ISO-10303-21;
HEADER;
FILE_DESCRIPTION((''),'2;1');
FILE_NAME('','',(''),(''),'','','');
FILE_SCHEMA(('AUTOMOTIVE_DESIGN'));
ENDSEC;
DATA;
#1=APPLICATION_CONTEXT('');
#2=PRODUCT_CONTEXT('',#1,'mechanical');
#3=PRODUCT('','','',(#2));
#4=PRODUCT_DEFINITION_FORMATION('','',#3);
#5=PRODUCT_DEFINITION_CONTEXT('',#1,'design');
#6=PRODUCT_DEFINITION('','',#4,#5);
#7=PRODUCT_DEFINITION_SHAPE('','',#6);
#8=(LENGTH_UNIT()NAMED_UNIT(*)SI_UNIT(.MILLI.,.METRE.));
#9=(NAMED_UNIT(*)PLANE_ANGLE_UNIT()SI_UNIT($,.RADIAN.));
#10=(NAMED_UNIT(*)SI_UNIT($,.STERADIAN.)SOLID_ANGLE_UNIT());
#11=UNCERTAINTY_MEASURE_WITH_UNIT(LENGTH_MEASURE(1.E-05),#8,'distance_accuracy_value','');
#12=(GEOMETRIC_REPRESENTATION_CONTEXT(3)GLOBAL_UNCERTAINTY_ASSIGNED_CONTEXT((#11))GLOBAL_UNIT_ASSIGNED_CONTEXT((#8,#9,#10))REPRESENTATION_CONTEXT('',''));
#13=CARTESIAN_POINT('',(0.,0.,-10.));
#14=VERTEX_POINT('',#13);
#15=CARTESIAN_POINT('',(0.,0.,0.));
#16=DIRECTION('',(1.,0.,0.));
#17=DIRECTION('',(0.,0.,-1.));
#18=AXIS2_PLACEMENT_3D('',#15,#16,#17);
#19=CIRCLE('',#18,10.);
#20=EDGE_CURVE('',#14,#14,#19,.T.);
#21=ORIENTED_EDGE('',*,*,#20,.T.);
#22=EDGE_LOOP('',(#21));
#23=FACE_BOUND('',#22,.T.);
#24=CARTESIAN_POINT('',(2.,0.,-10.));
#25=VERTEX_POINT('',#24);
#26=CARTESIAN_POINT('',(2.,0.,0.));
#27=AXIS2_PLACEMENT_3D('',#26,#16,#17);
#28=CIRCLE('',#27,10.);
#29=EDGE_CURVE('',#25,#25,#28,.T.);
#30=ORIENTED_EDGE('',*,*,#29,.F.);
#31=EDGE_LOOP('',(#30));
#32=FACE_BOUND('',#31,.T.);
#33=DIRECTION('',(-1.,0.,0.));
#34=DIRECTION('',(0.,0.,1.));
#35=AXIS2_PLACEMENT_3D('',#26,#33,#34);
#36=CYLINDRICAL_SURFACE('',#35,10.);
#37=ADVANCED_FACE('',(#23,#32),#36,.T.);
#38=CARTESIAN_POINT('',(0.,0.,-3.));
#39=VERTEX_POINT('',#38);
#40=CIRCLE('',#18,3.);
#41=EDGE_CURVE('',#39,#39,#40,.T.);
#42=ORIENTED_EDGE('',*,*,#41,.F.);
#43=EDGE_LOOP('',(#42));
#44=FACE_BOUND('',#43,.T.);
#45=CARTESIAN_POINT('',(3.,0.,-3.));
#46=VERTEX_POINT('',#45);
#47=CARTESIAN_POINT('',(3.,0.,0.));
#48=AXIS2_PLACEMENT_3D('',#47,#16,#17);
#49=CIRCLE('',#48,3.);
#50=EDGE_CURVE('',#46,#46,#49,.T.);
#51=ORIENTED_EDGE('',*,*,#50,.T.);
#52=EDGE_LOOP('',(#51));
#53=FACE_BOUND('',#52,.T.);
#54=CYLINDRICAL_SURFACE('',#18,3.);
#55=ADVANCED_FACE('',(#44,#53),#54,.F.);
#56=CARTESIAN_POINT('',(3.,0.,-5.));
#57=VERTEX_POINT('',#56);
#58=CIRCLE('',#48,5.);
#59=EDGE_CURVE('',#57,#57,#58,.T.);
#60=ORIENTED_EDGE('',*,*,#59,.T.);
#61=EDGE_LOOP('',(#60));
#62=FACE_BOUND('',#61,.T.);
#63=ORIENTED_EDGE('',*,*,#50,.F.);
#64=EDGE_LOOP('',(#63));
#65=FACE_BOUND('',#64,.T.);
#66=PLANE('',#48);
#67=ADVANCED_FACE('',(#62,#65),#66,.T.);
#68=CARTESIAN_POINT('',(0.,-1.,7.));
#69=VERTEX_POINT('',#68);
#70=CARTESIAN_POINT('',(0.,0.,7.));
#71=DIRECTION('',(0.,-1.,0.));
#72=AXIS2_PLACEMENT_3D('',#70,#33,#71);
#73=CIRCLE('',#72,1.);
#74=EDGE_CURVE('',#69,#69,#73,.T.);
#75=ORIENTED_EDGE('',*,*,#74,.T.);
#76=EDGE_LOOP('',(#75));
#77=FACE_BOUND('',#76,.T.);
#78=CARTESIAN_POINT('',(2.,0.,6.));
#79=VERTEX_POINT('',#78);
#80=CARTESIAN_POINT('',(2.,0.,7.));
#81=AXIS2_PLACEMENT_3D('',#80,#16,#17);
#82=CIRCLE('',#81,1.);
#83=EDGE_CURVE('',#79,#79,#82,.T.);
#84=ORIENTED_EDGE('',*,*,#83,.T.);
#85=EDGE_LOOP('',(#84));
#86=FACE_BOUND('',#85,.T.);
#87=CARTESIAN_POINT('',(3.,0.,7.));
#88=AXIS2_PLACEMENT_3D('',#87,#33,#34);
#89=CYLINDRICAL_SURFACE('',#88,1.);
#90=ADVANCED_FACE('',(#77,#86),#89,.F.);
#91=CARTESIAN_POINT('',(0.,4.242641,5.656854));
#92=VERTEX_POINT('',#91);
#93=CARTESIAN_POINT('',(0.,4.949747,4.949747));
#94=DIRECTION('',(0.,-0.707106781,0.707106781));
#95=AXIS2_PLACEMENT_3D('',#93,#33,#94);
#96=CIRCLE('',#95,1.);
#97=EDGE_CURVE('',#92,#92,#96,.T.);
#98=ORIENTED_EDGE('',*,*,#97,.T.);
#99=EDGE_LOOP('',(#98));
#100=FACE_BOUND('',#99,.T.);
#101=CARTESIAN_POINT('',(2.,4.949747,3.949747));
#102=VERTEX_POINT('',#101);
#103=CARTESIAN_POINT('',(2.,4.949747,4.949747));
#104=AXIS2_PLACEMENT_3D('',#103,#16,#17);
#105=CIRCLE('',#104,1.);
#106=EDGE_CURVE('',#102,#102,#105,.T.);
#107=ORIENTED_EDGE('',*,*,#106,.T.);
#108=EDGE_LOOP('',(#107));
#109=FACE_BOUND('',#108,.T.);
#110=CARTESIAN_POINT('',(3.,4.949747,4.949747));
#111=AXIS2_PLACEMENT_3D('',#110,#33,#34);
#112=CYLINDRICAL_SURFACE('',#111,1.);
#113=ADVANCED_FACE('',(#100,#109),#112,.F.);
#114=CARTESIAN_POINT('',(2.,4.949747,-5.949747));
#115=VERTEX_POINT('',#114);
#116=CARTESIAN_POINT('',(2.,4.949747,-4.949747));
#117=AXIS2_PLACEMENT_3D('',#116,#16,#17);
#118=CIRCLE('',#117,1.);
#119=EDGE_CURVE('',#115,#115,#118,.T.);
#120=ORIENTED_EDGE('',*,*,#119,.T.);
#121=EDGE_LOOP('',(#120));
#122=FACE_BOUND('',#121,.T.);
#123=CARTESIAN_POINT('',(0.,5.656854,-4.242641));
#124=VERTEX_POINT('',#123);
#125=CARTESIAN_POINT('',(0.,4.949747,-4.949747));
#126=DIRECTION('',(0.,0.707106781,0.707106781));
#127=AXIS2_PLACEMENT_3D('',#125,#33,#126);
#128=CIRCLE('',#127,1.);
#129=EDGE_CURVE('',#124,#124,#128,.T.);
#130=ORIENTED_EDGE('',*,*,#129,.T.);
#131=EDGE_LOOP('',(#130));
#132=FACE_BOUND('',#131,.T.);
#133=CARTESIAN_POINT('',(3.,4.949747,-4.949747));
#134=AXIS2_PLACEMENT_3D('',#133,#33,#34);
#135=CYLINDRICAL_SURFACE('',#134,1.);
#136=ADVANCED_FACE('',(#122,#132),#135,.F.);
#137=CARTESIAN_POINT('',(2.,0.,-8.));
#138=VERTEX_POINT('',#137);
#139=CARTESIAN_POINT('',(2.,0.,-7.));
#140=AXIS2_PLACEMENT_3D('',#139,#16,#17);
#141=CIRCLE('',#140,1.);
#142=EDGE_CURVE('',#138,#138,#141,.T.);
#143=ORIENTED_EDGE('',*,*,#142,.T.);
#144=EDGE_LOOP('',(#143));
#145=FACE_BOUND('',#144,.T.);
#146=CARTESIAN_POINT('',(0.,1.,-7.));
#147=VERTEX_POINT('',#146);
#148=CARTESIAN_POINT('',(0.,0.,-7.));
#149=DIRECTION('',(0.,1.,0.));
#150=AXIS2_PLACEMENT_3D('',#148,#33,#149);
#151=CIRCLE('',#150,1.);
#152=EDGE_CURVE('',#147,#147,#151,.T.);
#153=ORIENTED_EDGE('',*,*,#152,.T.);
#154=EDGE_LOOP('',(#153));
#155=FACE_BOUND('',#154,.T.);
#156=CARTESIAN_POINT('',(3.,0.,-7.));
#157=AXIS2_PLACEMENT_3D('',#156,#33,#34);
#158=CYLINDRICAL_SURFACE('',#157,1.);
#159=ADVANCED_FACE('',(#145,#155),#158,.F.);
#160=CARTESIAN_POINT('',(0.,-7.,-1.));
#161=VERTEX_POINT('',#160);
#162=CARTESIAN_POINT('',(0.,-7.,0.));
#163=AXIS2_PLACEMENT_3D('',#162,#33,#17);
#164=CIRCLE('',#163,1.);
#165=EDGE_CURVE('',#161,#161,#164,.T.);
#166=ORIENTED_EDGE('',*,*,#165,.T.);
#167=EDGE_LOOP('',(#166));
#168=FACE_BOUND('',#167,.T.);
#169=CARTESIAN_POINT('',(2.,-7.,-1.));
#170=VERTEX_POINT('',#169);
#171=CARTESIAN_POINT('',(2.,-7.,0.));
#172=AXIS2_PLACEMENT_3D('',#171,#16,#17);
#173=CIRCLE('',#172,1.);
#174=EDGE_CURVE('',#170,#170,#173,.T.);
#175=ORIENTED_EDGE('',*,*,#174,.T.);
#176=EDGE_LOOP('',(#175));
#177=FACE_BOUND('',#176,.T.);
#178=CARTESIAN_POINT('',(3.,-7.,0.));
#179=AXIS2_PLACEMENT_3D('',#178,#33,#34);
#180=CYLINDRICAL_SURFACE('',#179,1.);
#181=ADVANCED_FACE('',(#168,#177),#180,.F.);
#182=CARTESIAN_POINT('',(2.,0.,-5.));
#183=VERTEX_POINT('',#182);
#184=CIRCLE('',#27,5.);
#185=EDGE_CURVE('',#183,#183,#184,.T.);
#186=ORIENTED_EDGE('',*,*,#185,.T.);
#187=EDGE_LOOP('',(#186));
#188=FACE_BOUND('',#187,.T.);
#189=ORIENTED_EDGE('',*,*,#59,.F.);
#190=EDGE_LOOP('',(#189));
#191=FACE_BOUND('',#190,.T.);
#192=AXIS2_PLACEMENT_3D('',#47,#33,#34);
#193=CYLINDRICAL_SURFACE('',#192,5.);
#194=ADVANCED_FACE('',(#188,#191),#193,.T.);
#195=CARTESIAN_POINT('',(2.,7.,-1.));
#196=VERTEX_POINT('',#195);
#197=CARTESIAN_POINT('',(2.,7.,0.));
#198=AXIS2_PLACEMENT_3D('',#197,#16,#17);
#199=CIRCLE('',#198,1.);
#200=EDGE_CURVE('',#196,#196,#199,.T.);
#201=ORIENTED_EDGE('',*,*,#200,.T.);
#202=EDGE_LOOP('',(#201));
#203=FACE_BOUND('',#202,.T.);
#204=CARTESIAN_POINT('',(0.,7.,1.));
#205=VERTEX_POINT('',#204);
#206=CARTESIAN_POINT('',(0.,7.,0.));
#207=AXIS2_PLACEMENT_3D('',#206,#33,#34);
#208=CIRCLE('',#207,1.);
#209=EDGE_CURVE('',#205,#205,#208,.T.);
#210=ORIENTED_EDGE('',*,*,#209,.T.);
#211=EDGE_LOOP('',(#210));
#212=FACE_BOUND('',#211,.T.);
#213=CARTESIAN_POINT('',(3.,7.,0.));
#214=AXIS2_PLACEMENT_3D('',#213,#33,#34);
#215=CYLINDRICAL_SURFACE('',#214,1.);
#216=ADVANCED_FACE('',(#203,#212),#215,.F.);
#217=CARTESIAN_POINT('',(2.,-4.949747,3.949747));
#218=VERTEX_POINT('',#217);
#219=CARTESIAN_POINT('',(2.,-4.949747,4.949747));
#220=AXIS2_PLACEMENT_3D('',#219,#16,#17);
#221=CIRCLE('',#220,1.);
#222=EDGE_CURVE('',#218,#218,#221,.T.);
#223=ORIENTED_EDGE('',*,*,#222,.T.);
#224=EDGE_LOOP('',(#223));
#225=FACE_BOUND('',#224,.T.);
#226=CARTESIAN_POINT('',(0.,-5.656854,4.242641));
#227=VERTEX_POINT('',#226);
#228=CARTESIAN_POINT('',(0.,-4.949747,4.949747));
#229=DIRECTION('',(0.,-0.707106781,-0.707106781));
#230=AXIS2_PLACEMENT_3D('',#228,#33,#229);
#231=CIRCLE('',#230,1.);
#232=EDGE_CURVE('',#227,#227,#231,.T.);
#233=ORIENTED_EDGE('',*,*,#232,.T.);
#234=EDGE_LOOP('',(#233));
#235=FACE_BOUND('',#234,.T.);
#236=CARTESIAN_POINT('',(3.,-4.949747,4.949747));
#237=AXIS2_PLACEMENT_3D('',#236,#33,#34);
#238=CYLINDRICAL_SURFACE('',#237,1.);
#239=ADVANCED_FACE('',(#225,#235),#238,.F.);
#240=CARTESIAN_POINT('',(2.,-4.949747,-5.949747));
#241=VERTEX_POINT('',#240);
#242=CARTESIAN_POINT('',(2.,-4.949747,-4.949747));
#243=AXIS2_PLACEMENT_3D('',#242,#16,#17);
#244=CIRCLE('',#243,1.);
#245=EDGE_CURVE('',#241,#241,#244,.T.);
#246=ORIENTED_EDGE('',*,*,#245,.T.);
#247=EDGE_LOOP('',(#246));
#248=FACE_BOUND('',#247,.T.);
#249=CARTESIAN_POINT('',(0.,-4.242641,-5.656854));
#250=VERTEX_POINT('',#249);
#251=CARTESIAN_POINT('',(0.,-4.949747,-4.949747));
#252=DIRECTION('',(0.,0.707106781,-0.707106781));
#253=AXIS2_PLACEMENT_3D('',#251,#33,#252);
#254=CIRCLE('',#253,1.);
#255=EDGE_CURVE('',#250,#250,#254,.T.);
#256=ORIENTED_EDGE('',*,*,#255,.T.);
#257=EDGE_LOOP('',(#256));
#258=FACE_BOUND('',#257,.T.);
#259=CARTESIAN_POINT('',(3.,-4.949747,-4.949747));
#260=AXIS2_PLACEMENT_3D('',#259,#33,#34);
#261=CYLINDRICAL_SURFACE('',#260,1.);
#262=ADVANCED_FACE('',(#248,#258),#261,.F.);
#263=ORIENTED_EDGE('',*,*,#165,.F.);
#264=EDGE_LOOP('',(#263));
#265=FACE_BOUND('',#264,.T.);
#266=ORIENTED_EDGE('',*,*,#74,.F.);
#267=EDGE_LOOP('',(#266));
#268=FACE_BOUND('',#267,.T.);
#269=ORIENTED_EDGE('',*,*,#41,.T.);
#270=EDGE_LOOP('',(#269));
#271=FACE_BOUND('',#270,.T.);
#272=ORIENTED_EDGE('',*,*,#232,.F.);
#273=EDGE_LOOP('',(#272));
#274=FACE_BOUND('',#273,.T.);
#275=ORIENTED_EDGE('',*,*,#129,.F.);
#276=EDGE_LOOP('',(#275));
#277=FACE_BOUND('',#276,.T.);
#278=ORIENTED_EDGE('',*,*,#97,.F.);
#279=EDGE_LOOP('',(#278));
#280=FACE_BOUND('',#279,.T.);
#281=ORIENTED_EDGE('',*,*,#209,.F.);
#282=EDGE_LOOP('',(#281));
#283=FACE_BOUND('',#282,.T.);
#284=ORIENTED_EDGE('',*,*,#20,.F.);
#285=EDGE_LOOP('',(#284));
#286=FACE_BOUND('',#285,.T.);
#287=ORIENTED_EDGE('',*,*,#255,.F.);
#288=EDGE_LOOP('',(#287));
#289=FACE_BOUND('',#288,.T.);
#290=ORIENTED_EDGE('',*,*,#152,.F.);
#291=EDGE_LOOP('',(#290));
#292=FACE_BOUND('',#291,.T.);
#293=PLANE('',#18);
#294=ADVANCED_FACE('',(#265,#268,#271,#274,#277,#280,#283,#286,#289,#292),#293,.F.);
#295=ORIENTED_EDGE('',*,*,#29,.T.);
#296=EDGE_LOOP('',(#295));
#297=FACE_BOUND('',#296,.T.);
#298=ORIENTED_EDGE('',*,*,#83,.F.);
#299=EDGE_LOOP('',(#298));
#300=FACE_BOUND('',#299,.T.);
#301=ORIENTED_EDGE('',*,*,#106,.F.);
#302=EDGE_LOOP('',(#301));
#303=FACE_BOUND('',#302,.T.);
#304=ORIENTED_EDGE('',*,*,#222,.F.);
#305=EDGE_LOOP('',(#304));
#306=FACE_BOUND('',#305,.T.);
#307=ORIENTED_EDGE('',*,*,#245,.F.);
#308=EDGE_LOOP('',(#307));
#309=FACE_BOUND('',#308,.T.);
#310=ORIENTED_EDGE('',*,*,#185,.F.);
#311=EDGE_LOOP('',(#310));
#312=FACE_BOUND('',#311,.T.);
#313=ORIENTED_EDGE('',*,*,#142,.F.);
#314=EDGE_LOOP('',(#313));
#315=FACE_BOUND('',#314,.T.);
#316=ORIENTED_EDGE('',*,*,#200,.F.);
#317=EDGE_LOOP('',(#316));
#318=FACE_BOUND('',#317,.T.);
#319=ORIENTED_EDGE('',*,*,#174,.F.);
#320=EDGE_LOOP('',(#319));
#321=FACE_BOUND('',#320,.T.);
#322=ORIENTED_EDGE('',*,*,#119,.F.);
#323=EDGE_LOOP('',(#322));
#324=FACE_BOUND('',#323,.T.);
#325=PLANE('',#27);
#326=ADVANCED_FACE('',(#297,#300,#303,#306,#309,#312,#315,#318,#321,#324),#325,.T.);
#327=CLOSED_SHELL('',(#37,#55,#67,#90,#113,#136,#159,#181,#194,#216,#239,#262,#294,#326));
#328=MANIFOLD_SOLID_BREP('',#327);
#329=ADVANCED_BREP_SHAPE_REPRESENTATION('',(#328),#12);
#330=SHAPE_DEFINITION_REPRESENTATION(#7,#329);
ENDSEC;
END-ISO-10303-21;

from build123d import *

# Parameters (mm, degrees)
SKETCH_1_R               = 10
EXTRUDE_1_DEPTH          = 2
SKETCH_3_R               = 3
CUT_EXTRUDE_1_DEPTH      = 15.282856857
EXTRUDE_START            = 1
SKETCH_4_R               = 5
SKETCH_4_R_2             = 3
EXTRUDE_2_DEPTH          = 1
SKETCH_5_R               = 1
CUT_EXTRUDE_2_DEPTH      = 15.456832295
PATTERN_CIRCULAR_1_COUNT = 8


with BuildPart() as part:
    # 草图1 → 凸台-拉伸1 (new body)
    with BuildSketch(Plane(origin=(0, 0, 0), x_dir=(0, 0, -1), z_dir=(1, 0, 0))):
        Circle(SKETCH_1_R)
    extrude(amount=EXTRUDE_1_DEPTH)

    # 草图3 → 切除-拉伸1 (cut, through all)
    with BuildSketch(Plane(origin=(2, 0, 0), x_dir=(0, 0, -1), z_dir=(1, 0, 0))):
        Circle(SKETCH_3_R)
    extrude(amount=-CUT_EXTRUDE_1_DEPTH, mode=Mode.SUBTRACT)

    # 草图4 → 凸台-拉伸2 (add)
    with BuildSketch(Plane(origin=(2, 0, 0), x_dir=(0, 0, -1), z_dir=(1, 0, 0)).offset(EXTRUDE_START)):
        Circle(SKETCH_4_R)
        Circle(SKETCH_4_R_2, mode=Mode.SUBTRACT)
    extrude(amount=-EXTRUDE_2_DEPTH)

    # 草图5 → 切除-拉伸2 (cut, through all)
    with BuildSketch(Plane.ZY):
        with Locations((0, 7)):
            Circle(SKETCH_5_R)
    cut_extrude_2 = extrude(amount=-CUT_EXTRUDE_2_DEPTH, mode=Mode.SUBTRACT)

    # 阵列(圆周)1: 切除-拉伸2 ×8 about axis
    pattern_circular_1_axis = Axis((0, 0, 0), (1, 0, 0))
    for i in range(1, PATTERN_CIRCULAR_1_COUNT):
        add(cut_extrude_2.rotate(pattern_circular_1_axis, i * 360 / PATTERN_CIRCULAR_1_COUNT), mode=Mode.SUBTRACT)


solid = part.part
